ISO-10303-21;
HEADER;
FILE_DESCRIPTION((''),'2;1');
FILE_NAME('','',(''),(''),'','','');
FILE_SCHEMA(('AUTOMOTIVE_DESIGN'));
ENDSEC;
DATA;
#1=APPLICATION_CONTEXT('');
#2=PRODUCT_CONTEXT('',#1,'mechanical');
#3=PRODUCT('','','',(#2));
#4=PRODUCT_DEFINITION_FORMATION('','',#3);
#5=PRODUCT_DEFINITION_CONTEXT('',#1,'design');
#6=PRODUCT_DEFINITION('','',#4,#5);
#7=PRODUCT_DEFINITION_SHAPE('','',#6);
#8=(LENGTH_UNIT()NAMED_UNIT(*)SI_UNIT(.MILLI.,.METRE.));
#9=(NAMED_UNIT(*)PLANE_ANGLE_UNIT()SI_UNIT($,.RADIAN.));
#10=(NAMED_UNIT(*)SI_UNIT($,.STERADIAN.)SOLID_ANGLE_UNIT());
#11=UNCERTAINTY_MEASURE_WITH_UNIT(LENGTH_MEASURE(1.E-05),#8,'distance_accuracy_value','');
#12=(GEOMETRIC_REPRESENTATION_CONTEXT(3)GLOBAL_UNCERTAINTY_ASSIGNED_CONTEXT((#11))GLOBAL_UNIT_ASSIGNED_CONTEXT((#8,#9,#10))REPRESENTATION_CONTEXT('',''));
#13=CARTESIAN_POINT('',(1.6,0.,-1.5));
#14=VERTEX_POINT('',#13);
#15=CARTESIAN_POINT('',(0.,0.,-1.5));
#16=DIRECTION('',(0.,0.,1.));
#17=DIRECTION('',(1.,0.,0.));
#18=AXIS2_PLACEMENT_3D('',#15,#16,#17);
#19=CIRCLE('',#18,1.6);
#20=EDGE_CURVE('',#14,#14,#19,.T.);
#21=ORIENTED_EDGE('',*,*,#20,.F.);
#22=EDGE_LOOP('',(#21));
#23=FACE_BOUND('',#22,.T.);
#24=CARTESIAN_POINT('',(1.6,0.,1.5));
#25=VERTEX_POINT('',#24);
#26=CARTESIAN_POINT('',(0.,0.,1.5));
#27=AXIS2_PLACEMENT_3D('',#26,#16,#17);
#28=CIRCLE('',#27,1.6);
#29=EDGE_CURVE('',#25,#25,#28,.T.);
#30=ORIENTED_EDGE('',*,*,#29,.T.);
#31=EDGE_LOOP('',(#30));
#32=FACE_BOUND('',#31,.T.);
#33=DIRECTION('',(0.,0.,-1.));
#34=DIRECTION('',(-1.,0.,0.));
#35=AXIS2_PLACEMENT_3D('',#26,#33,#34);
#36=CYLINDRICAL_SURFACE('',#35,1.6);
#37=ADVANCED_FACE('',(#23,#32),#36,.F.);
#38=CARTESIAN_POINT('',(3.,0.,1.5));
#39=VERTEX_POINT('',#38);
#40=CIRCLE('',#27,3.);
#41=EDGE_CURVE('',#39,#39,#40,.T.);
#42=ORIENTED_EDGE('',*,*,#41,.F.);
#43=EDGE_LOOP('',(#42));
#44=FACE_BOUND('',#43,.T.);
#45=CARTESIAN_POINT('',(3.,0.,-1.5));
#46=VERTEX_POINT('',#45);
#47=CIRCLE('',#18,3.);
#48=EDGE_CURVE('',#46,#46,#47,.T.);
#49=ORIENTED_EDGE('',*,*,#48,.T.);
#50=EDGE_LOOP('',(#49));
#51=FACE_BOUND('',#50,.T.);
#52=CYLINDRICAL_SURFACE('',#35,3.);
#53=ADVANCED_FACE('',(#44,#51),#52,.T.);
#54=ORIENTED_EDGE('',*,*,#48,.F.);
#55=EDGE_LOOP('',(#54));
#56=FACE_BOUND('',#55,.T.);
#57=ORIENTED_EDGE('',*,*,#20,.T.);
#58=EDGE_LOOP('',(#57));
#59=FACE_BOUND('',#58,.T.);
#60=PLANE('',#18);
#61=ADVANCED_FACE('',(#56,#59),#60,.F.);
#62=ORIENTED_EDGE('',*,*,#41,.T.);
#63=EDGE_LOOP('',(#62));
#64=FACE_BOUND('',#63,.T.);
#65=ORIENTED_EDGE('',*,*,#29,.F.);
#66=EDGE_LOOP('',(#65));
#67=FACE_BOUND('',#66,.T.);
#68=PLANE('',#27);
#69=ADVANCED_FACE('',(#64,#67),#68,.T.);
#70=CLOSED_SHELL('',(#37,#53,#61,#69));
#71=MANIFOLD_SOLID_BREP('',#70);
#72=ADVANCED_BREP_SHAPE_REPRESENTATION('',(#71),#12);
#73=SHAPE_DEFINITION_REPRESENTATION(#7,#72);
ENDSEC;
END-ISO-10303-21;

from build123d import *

# Parameters (mm, degrees)
SKETCH1_R      = 3
SKETCH1_R_2    = 1.6
EXTRUDE1_DEPTH = 1.5


with BuildPart() as part:
    # Sketch1 → Extrude1 (new body, symmetric)
    with BuildSketch(Plane.XY):
        Circle(SKETCH1_R)
        Circle(SKETCH1_R_2, mode=Mode.SUBTRACT)
    extrude(amount=EXTRUDE1_DEPTH, both=True)


solid = part.part
